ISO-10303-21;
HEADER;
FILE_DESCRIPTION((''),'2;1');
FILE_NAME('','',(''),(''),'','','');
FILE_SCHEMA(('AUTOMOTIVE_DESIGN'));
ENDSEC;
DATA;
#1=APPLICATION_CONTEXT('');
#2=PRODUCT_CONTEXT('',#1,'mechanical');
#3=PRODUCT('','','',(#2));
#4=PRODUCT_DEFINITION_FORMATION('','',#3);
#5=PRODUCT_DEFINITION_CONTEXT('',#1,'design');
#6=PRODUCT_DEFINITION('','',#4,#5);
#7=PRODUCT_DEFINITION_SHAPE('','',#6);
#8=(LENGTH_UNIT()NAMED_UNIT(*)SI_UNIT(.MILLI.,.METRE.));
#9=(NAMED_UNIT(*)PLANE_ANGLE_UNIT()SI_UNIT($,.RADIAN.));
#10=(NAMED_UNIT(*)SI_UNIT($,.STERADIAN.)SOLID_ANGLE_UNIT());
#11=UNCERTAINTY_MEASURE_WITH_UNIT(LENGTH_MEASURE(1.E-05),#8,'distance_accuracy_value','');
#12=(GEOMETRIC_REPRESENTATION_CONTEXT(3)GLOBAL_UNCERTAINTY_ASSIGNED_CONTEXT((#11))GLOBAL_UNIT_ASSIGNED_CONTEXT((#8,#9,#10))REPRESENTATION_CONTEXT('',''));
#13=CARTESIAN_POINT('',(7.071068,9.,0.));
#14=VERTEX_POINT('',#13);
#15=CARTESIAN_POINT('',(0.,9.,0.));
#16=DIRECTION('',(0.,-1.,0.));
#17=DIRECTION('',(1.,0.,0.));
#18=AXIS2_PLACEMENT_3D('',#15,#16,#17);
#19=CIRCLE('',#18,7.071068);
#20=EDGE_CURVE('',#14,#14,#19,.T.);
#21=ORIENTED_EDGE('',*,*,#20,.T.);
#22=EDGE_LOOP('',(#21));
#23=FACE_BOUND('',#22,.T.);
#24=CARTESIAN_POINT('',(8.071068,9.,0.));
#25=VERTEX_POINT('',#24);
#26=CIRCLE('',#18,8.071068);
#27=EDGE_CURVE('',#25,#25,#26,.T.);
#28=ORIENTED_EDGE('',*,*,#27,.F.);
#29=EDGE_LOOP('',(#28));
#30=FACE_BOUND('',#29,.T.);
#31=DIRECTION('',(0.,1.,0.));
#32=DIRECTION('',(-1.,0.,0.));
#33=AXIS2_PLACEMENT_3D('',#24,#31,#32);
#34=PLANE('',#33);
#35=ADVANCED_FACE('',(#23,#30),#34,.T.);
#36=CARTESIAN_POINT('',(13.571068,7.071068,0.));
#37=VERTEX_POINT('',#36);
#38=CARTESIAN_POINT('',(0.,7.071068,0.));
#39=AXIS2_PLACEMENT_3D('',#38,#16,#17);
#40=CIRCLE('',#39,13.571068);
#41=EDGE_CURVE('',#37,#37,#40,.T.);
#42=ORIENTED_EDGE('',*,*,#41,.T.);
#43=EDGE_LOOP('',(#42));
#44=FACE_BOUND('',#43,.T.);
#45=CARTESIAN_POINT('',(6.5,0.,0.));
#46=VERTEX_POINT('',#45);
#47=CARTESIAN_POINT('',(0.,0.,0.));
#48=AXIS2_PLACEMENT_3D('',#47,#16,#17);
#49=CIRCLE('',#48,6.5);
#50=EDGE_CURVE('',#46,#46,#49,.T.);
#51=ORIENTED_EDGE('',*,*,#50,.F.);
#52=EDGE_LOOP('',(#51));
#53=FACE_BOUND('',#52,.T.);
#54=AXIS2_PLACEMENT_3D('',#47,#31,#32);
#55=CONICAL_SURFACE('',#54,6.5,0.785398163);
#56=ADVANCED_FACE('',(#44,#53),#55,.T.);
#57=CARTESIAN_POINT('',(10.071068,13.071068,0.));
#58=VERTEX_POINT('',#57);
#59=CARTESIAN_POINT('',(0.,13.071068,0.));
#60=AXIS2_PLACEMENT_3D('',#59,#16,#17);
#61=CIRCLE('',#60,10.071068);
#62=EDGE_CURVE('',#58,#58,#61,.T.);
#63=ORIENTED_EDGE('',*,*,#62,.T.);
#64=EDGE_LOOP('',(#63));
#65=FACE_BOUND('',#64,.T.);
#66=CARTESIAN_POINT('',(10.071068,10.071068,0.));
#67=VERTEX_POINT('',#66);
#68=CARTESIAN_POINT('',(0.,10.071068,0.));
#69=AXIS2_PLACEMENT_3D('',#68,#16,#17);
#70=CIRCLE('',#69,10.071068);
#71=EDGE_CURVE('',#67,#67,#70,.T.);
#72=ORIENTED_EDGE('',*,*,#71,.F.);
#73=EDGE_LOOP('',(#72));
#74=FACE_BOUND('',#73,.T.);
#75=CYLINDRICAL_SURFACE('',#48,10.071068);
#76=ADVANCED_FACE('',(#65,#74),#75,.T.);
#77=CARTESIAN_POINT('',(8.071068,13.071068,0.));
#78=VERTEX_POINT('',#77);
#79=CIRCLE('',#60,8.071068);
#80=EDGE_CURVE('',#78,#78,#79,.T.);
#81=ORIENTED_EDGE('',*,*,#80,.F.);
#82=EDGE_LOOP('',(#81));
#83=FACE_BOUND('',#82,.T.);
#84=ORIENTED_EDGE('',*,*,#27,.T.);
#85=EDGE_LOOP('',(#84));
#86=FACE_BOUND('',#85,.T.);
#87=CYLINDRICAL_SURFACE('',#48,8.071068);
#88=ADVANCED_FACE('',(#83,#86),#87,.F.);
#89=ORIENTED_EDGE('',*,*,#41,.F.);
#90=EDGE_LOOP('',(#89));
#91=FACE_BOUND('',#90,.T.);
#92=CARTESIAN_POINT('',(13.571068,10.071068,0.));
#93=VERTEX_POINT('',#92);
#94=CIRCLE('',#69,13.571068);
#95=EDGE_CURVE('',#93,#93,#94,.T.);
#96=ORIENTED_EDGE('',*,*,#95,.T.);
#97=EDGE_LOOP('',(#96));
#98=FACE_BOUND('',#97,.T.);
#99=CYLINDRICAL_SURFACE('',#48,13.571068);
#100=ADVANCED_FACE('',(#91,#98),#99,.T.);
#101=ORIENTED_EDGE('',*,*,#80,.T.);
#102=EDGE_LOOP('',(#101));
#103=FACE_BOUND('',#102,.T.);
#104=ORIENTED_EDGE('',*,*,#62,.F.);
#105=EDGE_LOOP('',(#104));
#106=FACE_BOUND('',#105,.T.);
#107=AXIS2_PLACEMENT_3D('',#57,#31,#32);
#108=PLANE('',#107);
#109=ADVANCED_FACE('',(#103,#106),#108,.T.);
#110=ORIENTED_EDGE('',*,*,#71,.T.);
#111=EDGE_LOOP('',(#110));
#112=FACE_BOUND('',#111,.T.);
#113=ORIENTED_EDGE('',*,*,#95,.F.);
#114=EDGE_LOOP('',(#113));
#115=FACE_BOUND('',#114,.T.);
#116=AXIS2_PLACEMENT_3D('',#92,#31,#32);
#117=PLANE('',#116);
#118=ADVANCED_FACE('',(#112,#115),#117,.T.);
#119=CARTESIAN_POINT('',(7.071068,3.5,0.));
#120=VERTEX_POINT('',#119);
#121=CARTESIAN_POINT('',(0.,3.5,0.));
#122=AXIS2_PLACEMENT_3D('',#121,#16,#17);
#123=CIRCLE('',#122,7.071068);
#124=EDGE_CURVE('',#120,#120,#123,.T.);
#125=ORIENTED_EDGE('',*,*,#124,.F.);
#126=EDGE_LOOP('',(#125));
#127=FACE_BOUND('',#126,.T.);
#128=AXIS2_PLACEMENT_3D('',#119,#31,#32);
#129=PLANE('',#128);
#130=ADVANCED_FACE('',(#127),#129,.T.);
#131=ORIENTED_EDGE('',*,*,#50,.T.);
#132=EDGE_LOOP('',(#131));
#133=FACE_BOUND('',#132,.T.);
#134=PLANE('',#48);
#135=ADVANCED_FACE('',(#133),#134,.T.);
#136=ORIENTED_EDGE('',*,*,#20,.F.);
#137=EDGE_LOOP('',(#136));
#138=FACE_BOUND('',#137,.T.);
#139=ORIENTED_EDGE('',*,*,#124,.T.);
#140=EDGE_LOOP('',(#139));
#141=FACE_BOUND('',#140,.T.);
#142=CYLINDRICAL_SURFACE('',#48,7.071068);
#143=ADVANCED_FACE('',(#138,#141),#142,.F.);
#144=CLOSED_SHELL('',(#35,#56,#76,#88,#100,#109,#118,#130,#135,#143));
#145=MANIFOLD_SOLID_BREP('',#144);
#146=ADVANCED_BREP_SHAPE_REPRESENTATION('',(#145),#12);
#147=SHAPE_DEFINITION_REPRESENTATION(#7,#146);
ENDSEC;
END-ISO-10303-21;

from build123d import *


with BuildPart() as part:
    # Sketch1 → Revolve1 (revolve)
    with BuildSketch(Plane.XY):
        Polygon((0, 0), (6.5, 0), (13.571067812, 7.071067812), (13.571067812, 10.071067812), (10.071067812, 10.071067812), (10.071067812, 13.071067812), (8.071067812, 13.071067812), (8.071067812, 9), (7.071067812, 9), (7.071067812, 3.5), (0, 3.5), align=None)
    revolve(axis=Axis((0, 0, 0), (0, 1, 0)))


solid = part.part
